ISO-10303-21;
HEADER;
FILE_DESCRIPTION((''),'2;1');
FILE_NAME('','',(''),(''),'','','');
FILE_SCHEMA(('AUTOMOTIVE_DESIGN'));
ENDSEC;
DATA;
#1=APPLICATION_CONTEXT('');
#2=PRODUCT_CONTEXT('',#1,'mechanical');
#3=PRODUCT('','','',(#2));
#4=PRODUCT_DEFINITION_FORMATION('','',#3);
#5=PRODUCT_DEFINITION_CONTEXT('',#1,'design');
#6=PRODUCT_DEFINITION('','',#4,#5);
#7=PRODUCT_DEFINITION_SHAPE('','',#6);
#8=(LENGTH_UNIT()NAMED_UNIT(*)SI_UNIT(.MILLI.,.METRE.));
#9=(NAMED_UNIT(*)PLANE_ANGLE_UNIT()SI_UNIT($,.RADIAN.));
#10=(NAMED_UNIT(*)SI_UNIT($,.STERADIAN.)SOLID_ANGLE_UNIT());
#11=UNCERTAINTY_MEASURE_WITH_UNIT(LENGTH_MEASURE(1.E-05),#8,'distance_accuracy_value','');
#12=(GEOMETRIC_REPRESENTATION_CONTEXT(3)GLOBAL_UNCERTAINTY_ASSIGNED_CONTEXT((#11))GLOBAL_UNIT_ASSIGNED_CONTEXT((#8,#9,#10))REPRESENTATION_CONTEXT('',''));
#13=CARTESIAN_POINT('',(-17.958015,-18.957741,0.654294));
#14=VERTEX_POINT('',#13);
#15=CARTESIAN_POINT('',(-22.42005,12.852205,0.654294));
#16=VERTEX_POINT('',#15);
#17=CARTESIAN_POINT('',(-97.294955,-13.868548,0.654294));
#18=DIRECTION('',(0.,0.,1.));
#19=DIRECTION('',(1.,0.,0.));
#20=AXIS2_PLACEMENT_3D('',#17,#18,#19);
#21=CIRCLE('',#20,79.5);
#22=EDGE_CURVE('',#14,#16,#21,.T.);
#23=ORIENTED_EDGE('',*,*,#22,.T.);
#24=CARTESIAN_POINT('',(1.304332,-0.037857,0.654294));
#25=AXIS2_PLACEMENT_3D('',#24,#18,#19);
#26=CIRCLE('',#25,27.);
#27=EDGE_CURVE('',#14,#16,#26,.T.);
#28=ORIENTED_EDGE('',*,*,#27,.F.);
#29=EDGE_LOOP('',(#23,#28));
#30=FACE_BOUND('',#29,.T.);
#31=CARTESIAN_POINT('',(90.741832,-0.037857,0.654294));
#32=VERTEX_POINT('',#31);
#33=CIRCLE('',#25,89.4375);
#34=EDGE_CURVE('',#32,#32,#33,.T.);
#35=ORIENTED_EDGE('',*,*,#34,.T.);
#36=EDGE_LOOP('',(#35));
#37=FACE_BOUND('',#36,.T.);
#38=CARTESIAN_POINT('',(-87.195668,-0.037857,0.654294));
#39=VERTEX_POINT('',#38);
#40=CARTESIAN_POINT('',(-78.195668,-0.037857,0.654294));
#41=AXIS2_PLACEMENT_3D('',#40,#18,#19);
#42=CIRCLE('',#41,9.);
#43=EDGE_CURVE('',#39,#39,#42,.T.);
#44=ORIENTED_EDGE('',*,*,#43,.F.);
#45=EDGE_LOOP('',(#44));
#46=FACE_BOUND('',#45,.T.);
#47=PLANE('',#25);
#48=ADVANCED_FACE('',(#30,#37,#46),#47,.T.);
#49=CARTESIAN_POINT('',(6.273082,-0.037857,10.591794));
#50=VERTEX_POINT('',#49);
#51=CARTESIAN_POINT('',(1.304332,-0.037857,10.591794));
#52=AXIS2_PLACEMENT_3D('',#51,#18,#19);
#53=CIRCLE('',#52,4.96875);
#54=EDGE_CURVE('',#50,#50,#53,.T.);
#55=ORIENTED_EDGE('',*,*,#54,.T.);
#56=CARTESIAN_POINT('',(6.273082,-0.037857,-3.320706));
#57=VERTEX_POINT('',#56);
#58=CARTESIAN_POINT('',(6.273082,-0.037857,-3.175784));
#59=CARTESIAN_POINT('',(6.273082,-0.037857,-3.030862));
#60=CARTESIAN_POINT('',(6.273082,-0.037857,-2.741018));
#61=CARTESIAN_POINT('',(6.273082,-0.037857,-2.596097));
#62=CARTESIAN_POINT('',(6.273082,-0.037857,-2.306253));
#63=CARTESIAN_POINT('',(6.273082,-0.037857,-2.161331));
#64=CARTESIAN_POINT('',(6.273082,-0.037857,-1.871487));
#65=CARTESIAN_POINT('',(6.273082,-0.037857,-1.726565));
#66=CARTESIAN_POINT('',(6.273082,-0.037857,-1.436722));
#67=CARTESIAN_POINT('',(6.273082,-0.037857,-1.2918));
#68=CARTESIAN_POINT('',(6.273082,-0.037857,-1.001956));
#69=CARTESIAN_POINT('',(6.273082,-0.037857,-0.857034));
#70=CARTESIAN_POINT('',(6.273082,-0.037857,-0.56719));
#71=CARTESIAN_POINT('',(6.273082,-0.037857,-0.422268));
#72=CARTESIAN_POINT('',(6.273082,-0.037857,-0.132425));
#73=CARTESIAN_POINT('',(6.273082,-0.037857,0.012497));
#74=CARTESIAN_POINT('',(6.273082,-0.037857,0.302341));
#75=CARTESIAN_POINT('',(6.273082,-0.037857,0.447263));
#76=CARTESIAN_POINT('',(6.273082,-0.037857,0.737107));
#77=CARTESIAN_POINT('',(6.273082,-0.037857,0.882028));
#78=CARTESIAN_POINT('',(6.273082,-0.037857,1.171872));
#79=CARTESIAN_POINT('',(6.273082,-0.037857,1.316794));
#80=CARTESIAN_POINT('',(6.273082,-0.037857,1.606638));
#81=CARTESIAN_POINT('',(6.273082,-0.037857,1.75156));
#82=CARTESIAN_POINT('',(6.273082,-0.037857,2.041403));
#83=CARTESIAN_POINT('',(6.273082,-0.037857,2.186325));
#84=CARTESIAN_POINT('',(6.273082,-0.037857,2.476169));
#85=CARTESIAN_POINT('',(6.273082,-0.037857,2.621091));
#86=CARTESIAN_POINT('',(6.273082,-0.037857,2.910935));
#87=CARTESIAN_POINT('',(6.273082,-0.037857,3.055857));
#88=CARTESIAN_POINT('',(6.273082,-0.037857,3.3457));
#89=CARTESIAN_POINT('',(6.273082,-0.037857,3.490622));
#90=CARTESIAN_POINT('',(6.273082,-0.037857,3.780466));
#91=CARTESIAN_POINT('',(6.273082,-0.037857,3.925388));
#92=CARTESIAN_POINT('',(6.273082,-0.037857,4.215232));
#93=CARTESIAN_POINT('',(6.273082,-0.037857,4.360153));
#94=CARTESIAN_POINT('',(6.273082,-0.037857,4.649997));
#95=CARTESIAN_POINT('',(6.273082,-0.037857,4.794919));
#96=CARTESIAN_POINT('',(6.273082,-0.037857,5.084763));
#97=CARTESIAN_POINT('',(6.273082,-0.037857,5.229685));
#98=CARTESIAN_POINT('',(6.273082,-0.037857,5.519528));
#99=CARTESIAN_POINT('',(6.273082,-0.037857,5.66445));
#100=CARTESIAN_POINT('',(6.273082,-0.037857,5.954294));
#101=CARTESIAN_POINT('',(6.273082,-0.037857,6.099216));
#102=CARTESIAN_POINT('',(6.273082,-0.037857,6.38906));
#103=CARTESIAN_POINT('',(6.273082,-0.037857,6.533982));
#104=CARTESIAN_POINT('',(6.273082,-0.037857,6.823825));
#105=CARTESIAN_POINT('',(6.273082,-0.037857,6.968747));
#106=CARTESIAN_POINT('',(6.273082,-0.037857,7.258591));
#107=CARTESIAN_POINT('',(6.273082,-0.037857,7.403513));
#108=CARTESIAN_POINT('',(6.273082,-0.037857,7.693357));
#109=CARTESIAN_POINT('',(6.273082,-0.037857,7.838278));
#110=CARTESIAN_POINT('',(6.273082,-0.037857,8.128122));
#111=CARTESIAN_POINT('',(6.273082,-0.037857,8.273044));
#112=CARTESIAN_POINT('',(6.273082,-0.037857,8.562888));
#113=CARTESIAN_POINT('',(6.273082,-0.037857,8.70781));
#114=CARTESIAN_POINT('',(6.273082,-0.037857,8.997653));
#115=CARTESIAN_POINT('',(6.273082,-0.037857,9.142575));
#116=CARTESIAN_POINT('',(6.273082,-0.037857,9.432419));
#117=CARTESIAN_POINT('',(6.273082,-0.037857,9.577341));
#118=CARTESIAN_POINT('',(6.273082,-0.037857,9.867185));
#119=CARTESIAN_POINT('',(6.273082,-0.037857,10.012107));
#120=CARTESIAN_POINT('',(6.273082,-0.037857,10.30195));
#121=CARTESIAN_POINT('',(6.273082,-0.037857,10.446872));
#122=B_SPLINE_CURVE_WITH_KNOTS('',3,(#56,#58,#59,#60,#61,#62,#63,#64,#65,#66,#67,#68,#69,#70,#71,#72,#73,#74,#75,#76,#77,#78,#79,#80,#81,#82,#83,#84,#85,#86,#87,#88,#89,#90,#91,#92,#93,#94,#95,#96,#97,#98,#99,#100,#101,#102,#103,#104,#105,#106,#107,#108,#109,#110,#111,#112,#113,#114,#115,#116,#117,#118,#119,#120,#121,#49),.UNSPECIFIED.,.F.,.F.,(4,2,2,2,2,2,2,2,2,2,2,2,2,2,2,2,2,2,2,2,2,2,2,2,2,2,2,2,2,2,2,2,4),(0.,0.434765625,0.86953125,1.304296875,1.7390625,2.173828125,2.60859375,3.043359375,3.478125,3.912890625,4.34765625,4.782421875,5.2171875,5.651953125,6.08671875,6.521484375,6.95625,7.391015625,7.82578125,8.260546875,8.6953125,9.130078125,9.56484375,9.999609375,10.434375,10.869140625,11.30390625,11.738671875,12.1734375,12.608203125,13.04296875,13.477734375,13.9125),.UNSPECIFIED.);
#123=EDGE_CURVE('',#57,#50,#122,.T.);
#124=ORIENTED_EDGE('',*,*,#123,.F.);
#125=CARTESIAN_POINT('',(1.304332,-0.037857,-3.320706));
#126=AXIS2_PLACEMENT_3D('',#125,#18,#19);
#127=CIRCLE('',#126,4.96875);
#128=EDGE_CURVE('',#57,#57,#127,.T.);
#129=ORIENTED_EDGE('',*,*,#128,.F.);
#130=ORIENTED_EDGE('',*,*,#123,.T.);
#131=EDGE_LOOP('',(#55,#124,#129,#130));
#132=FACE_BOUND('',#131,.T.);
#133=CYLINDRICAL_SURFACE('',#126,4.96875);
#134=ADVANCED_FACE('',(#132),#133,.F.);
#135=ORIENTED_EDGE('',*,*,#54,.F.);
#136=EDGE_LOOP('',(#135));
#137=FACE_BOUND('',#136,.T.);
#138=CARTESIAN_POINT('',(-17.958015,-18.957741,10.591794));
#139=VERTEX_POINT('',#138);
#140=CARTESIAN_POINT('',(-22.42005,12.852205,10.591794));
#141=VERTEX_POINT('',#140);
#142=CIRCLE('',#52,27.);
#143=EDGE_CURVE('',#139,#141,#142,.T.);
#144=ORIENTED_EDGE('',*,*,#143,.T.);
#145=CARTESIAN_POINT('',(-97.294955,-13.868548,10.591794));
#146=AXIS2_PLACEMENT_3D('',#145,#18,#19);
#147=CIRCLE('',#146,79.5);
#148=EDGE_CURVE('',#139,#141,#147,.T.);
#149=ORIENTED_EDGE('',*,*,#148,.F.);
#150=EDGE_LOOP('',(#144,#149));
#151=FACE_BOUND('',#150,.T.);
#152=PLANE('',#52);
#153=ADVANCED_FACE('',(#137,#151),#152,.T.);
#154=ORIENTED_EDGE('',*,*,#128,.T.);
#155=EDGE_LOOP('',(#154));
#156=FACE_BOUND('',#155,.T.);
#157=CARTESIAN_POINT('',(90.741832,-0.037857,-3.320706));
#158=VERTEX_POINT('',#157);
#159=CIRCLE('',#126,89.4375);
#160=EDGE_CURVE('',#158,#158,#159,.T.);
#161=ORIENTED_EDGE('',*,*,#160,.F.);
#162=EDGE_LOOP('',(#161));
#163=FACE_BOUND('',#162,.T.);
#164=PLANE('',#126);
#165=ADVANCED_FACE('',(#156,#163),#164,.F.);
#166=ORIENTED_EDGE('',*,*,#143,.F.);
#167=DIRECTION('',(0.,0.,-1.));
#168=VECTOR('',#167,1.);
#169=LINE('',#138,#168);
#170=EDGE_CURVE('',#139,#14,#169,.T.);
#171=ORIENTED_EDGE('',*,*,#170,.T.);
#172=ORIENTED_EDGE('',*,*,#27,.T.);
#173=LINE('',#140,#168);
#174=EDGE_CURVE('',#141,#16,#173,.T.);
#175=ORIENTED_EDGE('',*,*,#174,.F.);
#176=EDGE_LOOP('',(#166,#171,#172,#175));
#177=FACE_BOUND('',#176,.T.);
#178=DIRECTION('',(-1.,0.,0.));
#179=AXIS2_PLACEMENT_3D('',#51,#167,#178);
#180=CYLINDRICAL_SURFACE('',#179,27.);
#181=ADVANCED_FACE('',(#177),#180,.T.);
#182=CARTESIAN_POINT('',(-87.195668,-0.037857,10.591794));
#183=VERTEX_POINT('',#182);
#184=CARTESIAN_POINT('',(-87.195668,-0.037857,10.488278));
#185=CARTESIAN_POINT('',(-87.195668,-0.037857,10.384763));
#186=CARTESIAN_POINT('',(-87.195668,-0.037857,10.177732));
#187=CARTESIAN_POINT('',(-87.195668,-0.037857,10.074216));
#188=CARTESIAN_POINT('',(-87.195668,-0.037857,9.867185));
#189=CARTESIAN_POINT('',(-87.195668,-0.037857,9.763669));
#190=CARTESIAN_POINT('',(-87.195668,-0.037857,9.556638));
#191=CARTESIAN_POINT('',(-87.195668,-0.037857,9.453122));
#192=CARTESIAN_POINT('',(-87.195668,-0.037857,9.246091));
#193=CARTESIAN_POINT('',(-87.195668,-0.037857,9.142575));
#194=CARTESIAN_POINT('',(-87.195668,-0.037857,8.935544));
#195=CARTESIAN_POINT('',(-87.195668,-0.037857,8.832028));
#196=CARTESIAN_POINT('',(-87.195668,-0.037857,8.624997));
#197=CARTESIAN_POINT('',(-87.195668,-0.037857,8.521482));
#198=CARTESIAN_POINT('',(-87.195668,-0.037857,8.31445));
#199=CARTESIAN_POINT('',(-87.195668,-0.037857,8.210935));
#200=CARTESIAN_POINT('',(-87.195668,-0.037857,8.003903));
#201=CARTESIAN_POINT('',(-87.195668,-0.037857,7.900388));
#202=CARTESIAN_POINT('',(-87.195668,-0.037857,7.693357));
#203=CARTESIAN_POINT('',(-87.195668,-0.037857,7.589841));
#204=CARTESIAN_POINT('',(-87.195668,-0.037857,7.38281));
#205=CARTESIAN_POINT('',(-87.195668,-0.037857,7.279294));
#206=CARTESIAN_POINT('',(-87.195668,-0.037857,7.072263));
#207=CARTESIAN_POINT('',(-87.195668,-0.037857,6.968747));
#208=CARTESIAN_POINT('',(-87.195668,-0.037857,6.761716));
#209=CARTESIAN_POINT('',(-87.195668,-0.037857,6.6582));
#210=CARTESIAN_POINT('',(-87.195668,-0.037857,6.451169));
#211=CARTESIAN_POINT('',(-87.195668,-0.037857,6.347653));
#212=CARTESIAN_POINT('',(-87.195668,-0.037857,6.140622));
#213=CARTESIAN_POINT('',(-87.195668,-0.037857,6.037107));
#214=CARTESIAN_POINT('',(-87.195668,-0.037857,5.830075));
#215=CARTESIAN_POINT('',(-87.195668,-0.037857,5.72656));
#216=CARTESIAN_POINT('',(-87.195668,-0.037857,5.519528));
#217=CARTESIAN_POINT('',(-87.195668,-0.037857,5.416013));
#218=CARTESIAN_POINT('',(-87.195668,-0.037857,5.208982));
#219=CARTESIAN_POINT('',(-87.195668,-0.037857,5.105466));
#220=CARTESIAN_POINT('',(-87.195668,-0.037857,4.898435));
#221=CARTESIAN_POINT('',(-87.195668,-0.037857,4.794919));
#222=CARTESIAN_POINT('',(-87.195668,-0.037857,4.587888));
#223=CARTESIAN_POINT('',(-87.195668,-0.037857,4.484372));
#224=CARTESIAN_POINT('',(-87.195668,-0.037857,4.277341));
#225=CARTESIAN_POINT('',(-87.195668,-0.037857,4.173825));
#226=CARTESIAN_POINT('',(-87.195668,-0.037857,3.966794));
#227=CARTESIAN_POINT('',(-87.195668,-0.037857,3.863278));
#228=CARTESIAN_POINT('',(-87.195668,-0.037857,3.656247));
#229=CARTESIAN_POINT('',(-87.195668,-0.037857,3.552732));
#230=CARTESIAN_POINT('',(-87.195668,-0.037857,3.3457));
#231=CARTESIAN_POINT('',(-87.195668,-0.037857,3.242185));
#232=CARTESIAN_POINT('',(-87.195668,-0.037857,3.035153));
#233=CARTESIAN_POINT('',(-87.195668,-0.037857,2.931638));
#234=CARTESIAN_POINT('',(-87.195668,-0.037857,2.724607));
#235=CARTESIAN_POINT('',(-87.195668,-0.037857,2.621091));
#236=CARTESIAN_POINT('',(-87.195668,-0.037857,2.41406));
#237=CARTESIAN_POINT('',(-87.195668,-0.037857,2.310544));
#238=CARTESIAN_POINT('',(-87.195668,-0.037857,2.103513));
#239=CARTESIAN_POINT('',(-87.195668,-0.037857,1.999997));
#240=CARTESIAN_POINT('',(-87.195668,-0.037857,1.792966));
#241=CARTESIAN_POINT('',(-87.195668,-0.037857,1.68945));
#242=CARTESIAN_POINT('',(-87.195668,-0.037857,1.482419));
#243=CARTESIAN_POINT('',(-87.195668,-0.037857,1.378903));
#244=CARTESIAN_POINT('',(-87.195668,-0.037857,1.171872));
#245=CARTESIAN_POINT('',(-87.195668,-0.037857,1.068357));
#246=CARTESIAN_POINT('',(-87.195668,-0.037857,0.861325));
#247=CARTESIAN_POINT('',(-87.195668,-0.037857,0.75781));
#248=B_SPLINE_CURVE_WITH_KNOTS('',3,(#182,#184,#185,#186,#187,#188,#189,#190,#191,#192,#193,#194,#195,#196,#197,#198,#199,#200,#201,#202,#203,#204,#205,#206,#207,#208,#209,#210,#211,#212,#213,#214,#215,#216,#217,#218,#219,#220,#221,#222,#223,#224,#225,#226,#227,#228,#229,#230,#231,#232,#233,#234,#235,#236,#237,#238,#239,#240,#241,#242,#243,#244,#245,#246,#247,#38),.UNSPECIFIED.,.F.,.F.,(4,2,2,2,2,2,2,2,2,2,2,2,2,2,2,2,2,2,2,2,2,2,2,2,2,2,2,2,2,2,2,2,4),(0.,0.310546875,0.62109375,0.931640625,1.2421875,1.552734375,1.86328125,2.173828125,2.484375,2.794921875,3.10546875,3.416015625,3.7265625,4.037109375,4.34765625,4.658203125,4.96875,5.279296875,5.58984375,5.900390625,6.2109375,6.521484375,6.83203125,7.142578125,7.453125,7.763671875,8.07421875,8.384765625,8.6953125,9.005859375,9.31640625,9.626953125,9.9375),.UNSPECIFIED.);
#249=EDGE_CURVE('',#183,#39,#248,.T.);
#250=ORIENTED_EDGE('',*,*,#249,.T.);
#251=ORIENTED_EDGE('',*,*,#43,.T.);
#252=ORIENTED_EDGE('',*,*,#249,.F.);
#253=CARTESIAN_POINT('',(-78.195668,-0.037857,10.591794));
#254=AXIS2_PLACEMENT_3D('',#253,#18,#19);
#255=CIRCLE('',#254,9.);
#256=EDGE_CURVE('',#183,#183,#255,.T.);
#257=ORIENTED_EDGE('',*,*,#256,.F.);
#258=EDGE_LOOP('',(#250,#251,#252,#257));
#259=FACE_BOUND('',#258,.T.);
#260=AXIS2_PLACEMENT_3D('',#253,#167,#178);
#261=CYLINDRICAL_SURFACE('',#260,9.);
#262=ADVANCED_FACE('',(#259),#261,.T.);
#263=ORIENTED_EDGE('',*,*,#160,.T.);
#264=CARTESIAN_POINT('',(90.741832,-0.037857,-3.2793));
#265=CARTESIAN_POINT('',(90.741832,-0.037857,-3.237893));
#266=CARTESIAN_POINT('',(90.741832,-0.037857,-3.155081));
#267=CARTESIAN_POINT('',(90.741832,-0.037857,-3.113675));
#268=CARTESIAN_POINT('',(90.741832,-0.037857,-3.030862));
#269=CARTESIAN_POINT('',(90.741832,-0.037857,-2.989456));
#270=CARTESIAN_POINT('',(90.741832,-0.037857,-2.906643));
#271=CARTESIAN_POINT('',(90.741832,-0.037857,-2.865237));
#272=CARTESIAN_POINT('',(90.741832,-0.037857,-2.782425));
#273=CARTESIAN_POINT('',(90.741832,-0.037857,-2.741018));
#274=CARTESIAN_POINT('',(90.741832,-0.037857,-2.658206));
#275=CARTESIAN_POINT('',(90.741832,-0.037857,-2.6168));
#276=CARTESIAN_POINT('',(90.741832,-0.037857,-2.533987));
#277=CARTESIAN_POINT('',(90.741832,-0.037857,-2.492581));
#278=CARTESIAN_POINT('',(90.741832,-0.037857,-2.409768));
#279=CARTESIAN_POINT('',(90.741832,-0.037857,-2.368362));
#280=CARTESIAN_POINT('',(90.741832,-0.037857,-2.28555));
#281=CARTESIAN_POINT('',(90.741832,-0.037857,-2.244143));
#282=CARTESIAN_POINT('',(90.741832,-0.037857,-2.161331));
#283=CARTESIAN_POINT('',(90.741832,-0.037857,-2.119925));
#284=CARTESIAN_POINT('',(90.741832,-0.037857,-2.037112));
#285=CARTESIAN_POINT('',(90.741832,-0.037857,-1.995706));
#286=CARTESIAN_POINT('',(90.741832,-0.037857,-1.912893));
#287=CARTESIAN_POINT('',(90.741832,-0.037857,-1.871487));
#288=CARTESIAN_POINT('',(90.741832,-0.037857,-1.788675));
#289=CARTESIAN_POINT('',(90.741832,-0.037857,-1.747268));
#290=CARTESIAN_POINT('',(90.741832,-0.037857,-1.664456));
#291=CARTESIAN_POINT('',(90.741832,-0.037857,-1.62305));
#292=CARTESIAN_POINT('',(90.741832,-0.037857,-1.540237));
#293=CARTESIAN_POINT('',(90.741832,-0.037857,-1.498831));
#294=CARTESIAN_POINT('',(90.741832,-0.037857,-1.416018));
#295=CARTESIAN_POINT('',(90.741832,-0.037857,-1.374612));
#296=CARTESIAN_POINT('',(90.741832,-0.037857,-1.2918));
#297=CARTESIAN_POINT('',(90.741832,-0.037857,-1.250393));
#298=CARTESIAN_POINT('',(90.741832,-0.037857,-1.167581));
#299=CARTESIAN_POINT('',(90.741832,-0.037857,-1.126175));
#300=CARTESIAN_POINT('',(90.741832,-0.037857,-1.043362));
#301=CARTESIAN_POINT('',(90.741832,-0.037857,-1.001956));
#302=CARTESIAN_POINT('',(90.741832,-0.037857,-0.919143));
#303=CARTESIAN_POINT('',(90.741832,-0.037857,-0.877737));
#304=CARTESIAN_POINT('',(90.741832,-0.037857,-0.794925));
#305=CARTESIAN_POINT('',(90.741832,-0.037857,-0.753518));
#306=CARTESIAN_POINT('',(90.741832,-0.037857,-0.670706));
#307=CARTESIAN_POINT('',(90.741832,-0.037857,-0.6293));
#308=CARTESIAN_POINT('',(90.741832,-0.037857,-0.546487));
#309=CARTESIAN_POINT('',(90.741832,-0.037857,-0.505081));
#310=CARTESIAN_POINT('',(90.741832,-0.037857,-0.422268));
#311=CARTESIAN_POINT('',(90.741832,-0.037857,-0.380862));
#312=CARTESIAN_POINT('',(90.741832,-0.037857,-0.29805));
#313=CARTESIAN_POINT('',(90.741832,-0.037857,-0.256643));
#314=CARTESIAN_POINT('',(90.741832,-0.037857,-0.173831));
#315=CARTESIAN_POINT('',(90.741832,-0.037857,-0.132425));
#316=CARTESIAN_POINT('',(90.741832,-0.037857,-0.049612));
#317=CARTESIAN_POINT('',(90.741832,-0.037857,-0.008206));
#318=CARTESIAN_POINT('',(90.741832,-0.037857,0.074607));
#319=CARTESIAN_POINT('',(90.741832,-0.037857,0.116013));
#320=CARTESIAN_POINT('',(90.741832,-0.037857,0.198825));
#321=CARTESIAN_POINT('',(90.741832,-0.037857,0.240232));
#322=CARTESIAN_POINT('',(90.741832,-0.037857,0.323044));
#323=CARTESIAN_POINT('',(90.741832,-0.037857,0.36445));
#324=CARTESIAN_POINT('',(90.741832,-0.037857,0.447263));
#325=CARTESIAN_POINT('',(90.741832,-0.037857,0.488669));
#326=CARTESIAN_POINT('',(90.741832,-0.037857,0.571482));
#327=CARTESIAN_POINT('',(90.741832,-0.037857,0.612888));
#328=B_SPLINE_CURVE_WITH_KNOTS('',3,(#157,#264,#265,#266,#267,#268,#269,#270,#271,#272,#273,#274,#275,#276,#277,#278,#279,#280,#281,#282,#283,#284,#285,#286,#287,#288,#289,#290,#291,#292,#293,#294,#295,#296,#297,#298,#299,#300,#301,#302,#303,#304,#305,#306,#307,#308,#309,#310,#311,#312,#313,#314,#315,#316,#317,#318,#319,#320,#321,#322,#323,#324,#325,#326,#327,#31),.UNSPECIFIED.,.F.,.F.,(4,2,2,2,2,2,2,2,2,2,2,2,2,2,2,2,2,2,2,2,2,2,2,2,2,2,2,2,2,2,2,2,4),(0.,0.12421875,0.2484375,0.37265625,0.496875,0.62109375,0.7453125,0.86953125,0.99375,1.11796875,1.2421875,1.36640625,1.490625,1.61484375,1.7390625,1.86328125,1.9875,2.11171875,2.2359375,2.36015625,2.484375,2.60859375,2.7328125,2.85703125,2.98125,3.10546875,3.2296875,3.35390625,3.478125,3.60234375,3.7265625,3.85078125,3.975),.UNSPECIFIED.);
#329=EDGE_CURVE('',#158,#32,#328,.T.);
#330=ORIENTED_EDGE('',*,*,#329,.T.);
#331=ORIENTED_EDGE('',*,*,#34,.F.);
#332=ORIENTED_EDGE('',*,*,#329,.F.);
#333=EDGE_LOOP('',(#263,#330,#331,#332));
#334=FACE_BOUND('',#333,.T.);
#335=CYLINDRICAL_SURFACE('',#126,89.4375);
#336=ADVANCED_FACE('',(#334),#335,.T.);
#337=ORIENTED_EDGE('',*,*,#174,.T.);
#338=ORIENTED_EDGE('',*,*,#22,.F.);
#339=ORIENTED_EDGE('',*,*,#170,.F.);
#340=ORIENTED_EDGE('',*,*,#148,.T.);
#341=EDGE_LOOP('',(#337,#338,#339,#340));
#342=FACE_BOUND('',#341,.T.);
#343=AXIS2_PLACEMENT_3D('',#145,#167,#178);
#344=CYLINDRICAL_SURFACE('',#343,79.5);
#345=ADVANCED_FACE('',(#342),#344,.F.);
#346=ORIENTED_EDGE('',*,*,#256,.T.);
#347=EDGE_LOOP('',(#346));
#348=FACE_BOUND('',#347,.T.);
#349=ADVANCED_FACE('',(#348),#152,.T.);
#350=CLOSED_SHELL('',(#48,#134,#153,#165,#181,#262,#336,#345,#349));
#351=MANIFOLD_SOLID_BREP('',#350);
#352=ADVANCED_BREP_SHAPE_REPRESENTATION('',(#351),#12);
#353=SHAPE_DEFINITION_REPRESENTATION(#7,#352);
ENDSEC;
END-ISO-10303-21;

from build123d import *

# Parameters (mm, degrees)
SKETCH_1_R      = 3.5775
SKETCH_1_R_2    = 0.19875
EXTRUDE_2_DEPTH = 0.159
EXTRUDE_START   = 0.3975
SKETCH_1_6_R    = 0.19875
SKETCH_1_6_R_2  = 0.36
EXTRUDE_3_DEPTH = 0.3975
SCALE_3_SCALE   = 25


with BuildPart() as part:
    # 草图1 → 凸台-拉伸2 (new body)
    with BuildSketch(Plane.XY):
        Circle(SKETCH_1_R)
        Circle(SKETCH_1_R_2, mode=Mode.SUBTRACT)
    extrude(amount=-EXTRUDE_2_DEPTH)

    # 草图1<6> → 凸台-拉伸3 (add)
    # profile 1 of 2: a face of its own
    with BuildSketch(Plane.XY.offset(EXTRUDE_START)):
        with BuildLine():
            ThreePointArc((-0.948975285, 0.515602472), (-0.794802322, -0.111488288), (-0.770493853, -0.756795363))
            ThreePointArc((-0.770493853, -0.756795363), (1.069529145, 0.150024692), (-0.948975285, 0.515602472))
        make_face()
        Circle(SKETCH_1_6_R, mode=Mode.SUBTRACT)
    # profile 2 of 2: a face of its own
    with BuildSketch(Plane.XY.offset(EXTRUDE_START)):
        with Locations((-3.18, 0)):
            Circle(SKETCH_1_6_R_2)
    extrude(amount=-EXTRUDE_3_DEPTH)


with BuildPart() as part_1:
    # 缩放比例3: scaled about (-0.054347158, 0.00157736, -0.027262254)
    add(part.part.scale(SCALE_3_SCALE).moved(Location((1.304331792, -0.03785664, 0.654294096))))


solid = part_1.part
